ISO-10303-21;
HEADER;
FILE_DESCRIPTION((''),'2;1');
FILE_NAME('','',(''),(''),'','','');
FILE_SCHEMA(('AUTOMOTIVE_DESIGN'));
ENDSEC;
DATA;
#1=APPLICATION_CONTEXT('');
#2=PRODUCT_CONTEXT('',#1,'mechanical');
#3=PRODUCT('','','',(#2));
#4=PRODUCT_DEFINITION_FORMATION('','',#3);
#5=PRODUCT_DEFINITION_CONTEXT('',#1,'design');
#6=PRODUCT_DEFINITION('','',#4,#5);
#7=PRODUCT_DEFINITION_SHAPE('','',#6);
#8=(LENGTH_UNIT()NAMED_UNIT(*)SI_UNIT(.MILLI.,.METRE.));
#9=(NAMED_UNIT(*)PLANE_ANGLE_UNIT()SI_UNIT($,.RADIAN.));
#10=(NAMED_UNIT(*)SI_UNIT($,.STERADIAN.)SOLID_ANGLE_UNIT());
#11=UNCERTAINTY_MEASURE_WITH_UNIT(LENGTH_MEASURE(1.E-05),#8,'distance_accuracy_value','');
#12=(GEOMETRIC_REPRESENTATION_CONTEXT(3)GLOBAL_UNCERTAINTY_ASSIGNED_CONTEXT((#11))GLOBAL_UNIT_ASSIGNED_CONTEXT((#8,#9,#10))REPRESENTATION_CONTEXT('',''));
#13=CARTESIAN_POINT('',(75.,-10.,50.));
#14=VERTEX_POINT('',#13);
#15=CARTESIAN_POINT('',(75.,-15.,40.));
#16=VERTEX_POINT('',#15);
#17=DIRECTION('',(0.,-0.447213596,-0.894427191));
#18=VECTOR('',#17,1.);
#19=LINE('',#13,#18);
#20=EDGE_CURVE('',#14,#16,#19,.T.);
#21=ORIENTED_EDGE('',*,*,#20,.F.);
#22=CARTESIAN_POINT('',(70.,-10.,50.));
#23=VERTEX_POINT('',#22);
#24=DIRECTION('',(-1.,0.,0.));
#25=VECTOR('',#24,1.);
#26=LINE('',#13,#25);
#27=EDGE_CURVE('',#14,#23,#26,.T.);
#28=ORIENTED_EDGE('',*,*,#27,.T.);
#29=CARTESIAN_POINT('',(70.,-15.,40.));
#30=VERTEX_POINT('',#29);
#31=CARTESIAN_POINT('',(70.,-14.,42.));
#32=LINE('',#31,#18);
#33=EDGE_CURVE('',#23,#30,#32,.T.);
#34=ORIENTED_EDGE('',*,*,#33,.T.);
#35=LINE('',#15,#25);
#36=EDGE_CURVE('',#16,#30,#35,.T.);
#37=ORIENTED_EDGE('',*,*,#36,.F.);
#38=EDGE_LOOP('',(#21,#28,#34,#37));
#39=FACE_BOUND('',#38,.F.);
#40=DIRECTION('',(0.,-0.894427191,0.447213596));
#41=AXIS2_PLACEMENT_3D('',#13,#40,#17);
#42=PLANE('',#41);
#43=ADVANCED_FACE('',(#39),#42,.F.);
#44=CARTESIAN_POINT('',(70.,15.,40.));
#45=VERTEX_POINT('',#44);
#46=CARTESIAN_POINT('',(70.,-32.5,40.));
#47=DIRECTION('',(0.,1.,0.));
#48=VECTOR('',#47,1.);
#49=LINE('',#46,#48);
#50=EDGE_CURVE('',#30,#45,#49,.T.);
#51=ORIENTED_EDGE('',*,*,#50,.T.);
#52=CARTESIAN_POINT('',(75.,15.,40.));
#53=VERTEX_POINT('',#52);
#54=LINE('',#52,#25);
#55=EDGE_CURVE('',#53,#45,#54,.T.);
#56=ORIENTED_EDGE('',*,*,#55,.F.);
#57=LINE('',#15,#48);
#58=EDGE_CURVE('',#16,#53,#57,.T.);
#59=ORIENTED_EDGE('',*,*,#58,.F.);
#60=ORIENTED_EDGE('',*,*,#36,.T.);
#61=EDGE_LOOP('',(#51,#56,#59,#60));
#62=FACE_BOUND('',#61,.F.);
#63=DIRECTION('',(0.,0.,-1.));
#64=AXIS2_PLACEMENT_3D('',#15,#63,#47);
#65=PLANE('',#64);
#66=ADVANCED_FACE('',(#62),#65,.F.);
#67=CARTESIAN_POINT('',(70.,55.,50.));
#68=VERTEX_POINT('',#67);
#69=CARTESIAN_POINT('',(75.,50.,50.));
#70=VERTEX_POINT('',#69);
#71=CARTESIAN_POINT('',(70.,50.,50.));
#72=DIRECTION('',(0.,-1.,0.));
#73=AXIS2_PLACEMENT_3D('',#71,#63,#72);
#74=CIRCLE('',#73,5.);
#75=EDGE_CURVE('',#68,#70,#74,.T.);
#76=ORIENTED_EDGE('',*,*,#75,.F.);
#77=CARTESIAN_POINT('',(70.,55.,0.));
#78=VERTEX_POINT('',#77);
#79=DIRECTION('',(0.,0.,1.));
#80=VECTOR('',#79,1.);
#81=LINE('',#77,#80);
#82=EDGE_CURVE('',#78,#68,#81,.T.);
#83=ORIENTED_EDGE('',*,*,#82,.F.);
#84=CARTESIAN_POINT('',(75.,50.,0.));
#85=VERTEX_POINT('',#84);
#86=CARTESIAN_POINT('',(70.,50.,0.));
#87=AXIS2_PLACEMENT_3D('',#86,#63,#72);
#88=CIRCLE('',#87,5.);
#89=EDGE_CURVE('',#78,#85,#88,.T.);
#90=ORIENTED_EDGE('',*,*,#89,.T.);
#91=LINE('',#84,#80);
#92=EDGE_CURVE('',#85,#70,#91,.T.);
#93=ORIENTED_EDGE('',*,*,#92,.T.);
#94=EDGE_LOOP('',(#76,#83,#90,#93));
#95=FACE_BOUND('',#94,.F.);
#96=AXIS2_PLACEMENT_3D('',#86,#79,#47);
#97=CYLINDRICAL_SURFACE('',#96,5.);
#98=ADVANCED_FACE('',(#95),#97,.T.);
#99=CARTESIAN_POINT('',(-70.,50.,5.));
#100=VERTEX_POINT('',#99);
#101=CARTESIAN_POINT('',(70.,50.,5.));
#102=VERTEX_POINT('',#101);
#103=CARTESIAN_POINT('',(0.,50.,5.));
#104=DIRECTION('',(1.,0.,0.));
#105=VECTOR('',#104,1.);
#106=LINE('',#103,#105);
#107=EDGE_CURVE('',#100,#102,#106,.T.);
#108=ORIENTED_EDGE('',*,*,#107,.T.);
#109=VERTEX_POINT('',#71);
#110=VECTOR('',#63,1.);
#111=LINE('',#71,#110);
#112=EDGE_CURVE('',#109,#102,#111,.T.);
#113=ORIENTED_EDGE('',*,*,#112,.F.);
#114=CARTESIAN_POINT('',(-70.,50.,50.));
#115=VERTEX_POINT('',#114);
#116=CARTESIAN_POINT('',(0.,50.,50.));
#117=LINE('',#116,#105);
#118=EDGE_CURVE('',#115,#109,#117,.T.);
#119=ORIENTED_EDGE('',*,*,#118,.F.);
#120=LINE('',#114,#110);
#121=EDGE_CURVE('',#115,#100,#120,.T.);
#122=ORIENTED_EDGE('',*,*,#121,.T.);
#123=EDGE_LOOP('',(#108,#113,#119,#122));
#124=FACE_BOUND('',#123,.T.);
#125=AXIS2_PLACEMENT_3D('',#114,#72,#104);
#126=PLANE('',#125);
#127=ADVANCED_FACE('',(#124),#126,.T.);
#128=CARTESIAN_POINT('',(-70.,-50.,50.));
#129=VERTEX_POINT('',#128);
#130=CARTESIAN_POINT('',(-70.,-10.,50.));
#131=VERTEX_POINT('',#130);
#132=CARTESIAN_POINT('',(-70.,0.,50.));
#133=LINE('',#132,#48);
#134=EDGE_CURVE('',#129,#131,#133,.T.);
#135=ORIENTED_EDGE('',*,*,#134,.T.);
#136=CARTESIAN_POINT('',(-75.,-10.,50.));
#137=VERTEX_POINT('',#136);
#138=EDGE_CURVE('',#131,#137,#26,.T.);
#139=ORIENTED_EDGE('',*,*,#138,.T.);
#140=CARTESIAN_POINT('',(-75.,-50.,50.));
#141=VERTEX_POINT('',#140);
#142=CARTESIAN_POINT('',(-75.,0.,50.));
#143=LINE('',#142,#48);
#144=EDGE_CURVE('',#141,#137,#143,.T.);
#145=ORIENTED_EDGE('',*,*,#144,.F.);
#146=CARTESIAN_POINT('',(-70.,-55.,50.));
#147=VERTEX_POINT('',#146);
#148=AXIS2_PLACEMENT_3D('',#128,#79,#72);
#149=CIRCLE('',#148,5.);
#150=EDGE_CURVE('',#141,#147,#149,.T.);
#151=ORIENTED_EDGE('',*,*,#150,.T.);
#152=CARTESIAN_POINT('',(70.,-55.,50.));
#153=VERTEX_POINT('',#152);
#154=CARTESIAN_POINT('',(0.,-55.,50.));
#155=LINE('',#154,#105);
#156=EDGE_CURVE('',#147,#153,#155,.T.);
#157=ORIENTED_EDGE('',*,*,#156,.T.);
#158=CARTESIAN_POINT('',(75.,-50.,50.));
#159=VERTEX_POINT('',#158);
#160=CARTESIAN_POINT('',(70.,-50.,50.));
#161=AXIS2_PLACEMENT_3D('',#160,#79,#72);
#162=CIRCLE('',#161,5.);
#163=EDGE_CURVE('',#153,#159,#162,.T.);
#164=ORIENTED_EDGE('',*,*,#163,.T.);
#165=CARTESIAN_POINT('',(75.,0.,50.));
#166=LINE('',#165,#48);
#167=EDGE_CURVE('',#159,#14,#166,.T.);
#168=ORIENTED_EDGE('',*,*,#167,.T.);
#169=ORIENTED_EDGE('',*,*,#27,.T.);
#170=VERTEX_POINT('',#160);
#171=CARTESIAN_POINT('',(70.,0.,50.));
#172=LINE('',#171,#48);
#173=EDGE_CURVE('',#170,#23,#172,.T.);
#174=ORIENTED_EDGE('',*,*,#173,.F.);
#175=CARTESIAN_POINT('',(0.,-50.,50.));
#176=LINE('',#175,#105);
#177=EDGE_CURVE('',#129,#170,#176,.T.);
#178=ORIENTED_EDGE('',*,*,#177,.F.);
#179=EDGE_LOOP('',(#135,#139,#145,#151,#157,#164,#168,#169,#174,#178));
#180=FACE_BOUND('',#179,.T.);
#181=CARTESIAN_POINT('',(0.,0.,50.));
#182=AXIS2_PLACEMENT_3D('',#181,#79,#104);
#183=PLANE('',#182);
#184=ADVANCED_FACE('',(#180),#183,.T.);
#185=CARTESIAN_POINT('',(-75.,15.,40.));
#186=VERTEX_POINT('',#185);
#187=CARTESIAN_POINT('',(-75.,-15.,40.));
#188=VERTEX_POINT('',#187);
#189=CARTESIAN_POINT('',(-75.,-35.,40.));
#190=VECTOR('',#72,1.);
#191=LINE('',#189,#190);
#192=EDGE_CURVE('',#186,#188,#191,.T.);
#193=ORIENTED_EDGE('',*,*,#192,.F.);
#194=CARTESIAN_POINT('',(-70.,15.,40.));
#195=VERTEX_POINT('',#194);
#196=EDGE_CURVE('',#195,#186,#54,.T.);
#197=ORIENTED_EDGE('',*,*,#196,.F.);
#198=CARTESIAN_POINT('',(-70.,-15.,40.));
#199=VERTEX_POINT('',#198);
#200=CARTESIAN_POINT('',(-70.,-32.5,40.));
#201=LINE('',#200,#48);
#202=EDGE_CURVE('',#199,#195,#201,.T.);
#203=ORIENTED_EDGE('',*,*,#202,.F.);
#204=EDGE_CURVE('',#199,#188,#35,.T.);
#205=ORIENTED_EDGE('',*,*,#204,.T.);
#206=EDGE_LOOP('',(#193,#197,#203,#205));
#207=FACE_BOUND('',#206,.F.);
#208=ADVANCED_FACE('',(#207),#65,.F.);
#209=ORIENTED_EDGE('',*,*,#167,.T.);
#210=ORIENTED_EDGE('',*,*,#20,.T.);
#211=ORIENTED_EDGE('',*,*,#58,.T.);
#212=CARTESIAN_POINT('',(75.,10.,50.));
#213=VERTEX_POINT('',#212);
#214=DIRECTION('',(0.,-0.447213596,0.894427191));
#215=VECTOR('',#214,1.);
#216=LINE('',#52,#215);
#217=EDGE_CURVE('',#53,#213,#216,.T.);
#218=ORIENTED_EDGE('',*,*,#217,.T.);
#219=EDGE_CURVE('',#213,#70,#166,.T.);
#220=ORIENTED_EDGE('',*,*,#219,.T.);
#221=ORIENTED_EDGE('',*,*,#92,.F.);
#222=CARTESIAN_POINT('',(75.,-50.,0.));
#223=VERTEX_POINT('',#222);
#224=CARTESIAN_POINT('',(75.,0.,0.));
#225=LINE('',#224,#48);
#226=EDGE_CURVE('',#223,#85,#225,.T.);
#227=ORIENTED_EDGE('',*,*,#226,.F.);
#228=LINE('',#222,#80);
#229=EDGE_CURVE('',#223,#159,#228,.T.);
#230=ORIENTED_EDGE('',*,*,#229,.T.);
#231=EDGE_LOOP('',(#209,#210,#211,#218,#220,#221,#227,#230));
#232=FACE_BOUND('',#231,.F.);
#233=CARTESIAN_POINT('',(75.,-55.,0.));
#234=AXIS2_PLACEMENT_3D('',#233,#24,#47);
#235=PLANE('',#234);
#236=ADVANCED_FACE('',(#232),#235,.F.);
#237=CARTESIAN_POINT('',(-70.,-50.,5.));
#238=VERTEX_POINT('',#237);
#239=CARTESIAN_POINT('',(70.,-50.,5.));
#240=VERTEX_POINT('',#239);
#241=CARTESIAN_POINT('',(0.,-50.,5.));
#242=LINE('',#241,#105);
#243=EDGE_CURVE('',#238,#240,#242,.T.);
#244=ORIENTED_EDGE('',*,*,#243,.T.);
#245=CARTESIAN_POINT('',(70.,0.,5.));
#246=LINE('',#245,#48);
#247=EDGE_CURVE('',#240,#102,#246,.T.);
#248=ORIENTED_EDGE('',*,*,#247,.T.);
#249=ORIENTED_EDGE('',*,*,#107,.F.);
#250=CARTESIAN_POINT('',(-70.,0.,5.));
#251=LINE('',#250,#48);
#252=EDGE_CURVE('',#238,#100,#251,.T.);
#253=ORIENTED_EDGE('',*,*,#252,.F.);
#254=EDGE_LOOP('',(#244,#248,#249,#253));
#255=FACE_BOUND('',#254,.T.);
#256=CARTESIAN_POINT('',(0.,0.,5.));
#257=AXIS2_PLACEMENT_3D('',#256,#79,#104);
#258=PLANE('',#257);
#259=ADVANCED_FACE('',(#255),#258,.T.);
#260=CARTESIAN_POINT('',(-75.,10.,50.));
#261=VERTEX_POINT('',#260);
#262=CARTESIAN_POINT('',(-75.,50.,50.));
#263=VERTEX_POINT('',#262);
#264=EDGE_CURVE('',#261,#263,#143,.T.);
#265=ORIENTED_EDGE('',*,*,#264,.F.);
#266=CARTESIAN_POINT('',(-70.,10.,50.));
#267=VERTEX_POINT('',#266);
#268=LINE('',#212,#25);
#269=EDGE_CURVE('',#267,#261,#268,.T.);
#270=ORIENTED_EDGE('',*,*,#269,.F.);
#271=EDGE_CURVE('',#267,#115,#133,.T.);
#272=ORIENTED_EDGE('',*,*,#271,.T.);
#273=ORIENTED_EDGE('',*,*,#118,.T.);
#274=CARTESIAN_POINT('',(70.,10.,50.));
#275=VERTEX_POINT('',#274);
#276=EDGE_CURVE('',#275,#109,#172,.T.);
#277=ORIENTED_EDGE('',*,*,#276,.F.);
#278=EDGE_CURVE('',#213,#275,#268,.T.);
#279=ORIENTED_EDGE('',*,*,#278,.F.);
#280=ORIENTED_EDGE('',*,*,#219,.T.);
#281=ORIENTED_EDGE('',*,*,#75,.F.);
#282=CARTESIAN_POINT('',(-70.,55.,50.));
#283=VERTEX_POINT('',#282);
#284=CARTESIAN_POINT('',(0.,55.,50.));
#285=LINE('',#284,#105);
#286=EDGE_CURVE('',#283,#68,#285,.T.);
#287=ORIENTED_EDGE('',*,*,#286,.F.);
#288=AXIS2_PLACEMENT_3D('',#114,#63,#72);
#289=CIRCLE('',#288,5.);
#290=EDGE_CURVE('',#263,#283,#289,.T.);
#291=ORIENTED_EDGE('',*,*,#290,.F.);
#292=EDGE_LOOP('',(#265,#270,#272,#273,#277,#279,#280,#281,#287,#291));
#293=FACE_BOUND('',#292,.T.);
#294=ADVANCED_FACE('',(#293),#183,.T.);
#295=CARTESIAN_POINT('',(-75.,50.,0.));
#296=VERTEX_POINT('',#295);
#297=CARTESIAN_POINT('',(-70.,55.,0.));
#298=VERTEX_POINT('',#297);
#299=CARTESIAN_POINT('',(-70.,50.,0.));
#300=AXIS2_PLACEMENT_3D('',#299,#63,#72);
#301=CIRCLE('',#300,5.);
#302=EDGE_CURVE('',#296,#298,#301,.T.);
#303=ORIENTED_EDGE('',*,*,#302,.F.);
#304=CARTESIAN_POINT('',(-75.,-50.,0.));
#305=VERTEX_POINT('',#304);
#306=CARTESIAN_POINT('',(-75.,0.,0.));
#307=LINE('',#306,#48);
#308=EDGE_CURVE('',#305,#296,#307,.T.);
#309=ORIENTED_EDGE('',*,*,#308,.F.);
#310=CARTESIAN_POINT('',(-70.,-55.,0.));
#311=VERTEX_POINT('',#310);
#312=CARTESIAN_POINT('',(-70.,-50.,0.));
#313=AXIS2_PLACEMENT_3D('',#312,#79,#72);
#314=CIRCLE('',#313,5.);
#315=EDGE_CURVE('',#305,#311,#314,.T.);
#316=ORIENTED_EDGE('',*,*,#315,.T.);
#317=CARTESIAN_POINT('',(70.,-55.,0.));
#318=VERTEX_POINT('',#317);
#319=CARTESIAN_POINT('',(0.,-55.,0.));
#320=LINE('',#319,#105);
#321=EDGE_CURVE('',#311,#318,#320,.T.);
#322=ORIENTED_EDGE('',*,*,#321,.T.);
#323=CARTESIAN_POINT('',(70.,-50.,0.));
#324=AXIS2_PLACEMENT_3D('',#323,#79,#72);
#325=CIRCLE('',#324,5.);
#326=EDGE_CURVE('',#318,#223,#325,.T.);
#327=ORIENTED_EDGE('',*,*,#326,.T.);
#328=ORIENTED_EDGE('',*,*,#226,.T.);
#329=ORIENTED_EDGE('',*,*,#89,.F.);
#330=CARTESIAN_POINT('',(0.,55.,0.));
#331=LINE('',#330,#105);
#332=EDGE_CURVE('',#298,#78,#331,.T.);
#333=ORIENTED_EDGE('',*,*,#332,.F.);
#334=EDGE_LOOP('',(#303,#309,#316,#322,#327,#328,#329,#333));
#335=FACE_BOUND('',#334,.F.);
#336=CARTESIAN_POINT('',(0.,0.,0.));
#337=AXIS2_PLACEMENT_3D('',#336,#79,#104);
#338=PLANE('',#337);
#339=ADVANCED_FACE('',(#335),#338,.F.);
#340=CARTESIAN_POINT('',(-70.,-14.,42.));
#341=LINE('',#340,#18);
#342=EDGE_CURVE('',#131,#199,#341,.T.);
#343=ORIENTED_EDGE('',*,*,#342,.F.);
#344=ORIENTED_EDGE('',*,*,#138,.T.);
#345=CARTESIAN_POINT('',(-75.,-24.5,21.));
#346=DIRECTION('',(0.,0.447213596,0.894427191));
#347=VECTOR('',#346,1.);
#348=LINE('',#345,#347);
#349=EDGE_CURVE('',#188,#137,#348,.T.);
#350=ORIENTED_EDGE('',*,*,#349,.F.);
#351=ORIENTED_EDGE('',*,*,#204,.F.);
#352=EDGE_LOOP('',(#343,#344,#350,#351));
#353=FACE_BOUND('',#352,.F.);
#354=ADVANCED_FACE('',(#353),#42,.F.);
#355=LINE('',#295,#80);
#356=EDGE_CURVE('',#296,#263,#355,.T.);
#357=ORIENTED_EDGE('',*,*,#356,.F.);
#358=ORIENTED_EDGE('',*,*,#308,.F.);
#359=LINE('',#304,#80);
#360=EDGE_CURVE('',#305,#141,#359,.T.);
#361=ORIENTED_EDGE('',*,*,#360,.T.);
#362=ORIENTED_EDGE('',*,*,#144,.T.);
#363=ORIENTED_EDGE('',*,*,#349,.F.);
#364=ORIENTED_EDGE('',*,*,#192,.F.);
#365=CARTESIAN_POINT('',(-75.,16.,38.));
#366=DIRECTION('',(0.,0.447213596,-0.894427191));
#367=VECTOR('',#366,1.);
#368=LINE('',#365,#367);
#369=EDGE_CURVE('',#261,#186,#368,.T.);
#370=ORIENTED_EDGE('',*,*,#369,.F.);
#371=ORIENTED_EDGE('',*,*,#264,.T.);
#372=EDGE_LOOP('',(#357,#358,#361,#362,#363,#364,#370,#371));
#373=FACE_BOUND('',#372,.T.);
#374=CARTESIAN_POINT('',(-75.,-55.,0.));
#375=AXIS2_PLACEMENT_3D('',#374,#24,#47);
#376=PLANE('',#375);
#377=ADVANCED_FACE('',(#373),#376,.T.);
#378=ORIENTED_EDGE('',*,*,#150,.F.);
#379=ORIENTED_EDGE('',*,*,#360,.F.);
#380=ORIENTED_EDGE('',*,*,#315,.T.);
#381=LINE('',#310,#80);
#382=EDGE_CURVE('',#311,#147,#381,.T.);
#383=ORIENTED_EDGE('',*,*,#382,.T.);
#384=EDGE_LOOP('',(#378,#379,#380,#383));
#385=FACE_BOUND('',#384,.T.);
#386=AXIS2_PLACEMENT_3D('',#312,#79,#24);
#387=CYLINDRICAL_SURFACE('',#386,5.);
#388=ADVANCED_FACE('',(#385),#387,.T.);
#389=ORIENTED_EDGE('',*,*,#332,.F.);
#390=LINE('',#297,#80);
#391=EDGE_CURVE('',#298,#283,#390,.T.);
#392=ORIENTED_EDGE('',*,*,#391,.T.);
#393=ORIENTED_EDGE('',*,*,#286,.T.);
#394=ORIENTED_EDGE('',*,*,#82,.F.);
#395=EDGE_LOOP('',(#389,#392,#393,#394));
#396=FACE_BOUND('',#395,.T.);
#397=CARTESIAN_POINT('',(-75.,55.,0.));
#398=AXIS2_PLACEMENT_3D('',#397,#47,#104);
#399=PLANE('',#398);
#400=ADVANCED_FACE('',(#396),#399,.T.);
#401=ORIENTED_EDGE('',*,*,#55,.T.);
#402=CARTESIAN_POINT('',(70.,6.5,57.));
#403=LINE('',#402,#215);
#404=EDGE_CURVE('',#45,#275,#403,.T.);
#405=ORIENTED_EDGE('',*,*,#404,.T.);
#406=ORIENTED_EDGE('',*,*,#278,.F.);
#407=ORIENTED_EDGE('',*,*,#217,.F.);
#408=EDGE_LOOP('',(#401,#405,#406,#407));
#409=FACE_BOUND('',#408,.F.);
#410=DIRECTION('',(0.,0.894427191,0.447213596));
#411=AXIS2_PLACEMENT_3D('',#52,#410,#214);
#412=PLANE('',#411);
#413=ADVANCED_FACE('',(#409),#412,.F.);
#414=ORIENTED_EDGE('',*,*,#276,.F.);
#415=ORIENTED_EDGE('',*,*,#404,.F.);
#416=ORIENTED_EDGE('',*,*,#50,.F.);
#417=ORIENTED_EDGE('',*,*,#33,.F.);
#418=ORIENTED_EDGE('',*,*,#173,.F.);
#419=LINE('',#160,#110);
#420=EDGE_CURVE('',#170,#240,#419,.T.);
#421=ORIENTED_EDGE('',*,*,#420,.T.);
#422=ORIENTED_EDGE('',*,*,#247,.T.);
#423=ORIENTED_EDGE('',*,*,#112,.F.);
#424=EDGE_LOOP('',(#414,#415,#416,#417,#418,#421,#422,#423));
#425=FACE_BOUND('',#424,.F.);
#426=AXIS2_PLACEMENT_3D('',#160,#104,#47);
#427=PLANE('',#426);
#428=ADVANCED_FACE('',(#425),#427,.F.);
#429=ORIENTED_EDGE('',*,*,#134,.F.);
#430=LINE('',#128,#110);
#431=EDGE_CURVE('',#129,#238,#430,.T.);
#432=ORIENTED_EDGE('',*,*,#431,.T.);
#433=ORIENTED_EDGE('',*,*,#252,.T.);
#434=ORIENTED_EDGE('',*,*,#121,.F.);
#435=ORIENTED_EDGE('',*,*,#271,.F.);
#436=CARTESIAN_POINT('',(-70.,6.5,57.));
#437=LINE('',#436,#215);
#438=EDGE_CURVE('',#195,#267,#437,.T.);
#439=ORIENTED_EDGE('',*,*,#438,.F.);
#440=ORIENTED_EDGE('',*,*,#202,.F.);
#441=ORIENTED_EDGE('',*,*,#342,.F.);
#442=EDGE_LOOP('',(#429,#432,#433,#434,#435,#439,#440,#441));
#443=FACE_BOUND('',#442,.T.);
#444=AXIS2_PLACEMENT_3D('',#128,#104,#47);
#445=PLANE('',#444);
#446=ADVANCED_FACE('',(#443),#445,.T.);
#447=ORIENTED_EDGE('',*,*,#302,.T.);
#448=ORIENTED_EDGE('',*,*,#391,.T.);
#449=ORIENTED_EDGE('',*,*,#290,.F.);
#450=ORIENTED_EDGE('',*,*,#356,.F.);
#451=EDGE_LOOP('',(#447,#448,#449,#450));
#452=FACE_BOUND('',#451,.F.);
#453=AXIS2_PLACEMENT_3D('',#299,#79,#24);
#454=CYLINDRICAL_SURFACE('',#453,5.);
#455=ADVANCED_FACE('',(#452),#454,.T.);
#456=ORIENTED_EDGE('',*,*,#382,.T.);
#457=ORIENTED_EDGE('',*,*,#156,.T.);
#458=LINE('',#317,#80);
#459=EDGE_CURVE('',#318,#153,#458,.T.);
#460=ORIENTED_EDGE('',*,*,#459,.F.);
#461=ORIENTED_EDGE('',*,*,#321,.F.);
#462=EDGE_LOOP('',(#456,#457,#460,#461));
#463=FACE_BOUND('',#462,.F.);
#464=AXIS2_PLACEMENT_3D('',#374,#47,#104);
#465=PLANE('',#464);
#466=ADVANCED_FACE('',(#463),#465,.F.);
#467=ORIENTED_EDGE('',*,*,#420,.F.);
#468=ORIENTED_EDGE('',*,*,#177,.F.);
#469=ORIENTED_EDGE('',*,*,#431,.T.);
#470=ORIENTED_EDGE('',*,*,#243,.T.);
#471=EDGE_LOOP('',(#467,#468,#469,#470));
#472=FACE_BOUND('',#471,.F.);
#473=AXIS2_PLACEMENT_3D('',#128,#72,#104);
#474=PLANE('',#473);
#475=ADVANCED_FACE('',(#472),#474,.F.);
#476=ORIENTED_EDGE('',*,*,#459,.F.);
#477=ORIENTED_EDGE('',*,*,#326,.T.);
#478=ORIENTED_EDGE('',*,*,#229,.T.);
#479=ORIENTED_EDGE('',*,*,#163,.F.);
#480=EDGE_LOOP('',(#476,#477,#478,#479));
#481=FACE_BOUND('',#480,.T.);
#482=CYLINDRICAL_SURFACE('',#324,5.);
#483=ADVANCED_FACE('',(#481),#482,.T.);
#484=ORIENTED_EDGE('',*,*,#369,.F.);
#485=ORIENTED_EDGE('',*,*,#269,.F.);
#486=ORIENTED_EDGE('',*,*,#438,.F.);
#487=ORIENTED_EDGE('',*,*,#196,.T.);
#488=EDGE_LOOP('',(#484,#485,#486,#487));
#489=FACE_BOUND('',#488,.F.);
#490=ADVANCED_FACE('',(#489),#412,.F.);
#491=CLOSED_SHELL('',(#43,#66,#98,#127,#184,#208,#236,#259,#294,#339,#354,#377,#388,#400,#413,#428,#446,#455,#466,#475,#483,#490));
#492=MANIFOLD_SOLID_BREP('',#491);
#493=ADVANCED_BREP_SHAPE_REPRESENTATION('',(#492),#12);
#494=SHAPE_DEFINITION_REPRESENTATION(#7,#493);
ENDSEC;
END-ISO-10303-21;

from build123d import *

# Parameters (mm, degrees)
F0_W     = 150
F0_H     = 110
F1_DEPTH = 50
F2_W     = 140
F2_H     = 100
F3_DEPTH = 45
F4_R     = 5
F6_DEPTH = 160


with BuildPart() as f1:
    # F0 (on Top) → F1 (new body)
    with BuildSketch(Plane.XY):
        Rectangle(F0_W, F0_H)
    extrude(amount=F1_DEPTH)

    # F2 (on face) → F3 (cut)
    with BuildSketch(Plane.XY.offset(50)):
        Rectangle(F2_W, F2_H)
    extrude(amount=-F3_DEPTH, mode=Mode.SUBTRACT)

    # F4
    f4_edges = [f1.edges().sort_by_distance(p)[0] for p in [
        (75, -55, 25),
        (75, 55, 25),
        (-75, 55, 25),
        (-75, -55, 25),
    ]]
    fillet(f4_edges, radius=F4_R)

    # F5 (on face) → F6 (cut)
    with BuildSketch(Plane.YZ.offset(75)):
        Polygon((10, 50), (-10, 50), (-15, 40), (15, 40), align=None)
    extrude(amount=-F6_DEPTH, mode=Mode.SUBTRACT)


solid = f1.part
